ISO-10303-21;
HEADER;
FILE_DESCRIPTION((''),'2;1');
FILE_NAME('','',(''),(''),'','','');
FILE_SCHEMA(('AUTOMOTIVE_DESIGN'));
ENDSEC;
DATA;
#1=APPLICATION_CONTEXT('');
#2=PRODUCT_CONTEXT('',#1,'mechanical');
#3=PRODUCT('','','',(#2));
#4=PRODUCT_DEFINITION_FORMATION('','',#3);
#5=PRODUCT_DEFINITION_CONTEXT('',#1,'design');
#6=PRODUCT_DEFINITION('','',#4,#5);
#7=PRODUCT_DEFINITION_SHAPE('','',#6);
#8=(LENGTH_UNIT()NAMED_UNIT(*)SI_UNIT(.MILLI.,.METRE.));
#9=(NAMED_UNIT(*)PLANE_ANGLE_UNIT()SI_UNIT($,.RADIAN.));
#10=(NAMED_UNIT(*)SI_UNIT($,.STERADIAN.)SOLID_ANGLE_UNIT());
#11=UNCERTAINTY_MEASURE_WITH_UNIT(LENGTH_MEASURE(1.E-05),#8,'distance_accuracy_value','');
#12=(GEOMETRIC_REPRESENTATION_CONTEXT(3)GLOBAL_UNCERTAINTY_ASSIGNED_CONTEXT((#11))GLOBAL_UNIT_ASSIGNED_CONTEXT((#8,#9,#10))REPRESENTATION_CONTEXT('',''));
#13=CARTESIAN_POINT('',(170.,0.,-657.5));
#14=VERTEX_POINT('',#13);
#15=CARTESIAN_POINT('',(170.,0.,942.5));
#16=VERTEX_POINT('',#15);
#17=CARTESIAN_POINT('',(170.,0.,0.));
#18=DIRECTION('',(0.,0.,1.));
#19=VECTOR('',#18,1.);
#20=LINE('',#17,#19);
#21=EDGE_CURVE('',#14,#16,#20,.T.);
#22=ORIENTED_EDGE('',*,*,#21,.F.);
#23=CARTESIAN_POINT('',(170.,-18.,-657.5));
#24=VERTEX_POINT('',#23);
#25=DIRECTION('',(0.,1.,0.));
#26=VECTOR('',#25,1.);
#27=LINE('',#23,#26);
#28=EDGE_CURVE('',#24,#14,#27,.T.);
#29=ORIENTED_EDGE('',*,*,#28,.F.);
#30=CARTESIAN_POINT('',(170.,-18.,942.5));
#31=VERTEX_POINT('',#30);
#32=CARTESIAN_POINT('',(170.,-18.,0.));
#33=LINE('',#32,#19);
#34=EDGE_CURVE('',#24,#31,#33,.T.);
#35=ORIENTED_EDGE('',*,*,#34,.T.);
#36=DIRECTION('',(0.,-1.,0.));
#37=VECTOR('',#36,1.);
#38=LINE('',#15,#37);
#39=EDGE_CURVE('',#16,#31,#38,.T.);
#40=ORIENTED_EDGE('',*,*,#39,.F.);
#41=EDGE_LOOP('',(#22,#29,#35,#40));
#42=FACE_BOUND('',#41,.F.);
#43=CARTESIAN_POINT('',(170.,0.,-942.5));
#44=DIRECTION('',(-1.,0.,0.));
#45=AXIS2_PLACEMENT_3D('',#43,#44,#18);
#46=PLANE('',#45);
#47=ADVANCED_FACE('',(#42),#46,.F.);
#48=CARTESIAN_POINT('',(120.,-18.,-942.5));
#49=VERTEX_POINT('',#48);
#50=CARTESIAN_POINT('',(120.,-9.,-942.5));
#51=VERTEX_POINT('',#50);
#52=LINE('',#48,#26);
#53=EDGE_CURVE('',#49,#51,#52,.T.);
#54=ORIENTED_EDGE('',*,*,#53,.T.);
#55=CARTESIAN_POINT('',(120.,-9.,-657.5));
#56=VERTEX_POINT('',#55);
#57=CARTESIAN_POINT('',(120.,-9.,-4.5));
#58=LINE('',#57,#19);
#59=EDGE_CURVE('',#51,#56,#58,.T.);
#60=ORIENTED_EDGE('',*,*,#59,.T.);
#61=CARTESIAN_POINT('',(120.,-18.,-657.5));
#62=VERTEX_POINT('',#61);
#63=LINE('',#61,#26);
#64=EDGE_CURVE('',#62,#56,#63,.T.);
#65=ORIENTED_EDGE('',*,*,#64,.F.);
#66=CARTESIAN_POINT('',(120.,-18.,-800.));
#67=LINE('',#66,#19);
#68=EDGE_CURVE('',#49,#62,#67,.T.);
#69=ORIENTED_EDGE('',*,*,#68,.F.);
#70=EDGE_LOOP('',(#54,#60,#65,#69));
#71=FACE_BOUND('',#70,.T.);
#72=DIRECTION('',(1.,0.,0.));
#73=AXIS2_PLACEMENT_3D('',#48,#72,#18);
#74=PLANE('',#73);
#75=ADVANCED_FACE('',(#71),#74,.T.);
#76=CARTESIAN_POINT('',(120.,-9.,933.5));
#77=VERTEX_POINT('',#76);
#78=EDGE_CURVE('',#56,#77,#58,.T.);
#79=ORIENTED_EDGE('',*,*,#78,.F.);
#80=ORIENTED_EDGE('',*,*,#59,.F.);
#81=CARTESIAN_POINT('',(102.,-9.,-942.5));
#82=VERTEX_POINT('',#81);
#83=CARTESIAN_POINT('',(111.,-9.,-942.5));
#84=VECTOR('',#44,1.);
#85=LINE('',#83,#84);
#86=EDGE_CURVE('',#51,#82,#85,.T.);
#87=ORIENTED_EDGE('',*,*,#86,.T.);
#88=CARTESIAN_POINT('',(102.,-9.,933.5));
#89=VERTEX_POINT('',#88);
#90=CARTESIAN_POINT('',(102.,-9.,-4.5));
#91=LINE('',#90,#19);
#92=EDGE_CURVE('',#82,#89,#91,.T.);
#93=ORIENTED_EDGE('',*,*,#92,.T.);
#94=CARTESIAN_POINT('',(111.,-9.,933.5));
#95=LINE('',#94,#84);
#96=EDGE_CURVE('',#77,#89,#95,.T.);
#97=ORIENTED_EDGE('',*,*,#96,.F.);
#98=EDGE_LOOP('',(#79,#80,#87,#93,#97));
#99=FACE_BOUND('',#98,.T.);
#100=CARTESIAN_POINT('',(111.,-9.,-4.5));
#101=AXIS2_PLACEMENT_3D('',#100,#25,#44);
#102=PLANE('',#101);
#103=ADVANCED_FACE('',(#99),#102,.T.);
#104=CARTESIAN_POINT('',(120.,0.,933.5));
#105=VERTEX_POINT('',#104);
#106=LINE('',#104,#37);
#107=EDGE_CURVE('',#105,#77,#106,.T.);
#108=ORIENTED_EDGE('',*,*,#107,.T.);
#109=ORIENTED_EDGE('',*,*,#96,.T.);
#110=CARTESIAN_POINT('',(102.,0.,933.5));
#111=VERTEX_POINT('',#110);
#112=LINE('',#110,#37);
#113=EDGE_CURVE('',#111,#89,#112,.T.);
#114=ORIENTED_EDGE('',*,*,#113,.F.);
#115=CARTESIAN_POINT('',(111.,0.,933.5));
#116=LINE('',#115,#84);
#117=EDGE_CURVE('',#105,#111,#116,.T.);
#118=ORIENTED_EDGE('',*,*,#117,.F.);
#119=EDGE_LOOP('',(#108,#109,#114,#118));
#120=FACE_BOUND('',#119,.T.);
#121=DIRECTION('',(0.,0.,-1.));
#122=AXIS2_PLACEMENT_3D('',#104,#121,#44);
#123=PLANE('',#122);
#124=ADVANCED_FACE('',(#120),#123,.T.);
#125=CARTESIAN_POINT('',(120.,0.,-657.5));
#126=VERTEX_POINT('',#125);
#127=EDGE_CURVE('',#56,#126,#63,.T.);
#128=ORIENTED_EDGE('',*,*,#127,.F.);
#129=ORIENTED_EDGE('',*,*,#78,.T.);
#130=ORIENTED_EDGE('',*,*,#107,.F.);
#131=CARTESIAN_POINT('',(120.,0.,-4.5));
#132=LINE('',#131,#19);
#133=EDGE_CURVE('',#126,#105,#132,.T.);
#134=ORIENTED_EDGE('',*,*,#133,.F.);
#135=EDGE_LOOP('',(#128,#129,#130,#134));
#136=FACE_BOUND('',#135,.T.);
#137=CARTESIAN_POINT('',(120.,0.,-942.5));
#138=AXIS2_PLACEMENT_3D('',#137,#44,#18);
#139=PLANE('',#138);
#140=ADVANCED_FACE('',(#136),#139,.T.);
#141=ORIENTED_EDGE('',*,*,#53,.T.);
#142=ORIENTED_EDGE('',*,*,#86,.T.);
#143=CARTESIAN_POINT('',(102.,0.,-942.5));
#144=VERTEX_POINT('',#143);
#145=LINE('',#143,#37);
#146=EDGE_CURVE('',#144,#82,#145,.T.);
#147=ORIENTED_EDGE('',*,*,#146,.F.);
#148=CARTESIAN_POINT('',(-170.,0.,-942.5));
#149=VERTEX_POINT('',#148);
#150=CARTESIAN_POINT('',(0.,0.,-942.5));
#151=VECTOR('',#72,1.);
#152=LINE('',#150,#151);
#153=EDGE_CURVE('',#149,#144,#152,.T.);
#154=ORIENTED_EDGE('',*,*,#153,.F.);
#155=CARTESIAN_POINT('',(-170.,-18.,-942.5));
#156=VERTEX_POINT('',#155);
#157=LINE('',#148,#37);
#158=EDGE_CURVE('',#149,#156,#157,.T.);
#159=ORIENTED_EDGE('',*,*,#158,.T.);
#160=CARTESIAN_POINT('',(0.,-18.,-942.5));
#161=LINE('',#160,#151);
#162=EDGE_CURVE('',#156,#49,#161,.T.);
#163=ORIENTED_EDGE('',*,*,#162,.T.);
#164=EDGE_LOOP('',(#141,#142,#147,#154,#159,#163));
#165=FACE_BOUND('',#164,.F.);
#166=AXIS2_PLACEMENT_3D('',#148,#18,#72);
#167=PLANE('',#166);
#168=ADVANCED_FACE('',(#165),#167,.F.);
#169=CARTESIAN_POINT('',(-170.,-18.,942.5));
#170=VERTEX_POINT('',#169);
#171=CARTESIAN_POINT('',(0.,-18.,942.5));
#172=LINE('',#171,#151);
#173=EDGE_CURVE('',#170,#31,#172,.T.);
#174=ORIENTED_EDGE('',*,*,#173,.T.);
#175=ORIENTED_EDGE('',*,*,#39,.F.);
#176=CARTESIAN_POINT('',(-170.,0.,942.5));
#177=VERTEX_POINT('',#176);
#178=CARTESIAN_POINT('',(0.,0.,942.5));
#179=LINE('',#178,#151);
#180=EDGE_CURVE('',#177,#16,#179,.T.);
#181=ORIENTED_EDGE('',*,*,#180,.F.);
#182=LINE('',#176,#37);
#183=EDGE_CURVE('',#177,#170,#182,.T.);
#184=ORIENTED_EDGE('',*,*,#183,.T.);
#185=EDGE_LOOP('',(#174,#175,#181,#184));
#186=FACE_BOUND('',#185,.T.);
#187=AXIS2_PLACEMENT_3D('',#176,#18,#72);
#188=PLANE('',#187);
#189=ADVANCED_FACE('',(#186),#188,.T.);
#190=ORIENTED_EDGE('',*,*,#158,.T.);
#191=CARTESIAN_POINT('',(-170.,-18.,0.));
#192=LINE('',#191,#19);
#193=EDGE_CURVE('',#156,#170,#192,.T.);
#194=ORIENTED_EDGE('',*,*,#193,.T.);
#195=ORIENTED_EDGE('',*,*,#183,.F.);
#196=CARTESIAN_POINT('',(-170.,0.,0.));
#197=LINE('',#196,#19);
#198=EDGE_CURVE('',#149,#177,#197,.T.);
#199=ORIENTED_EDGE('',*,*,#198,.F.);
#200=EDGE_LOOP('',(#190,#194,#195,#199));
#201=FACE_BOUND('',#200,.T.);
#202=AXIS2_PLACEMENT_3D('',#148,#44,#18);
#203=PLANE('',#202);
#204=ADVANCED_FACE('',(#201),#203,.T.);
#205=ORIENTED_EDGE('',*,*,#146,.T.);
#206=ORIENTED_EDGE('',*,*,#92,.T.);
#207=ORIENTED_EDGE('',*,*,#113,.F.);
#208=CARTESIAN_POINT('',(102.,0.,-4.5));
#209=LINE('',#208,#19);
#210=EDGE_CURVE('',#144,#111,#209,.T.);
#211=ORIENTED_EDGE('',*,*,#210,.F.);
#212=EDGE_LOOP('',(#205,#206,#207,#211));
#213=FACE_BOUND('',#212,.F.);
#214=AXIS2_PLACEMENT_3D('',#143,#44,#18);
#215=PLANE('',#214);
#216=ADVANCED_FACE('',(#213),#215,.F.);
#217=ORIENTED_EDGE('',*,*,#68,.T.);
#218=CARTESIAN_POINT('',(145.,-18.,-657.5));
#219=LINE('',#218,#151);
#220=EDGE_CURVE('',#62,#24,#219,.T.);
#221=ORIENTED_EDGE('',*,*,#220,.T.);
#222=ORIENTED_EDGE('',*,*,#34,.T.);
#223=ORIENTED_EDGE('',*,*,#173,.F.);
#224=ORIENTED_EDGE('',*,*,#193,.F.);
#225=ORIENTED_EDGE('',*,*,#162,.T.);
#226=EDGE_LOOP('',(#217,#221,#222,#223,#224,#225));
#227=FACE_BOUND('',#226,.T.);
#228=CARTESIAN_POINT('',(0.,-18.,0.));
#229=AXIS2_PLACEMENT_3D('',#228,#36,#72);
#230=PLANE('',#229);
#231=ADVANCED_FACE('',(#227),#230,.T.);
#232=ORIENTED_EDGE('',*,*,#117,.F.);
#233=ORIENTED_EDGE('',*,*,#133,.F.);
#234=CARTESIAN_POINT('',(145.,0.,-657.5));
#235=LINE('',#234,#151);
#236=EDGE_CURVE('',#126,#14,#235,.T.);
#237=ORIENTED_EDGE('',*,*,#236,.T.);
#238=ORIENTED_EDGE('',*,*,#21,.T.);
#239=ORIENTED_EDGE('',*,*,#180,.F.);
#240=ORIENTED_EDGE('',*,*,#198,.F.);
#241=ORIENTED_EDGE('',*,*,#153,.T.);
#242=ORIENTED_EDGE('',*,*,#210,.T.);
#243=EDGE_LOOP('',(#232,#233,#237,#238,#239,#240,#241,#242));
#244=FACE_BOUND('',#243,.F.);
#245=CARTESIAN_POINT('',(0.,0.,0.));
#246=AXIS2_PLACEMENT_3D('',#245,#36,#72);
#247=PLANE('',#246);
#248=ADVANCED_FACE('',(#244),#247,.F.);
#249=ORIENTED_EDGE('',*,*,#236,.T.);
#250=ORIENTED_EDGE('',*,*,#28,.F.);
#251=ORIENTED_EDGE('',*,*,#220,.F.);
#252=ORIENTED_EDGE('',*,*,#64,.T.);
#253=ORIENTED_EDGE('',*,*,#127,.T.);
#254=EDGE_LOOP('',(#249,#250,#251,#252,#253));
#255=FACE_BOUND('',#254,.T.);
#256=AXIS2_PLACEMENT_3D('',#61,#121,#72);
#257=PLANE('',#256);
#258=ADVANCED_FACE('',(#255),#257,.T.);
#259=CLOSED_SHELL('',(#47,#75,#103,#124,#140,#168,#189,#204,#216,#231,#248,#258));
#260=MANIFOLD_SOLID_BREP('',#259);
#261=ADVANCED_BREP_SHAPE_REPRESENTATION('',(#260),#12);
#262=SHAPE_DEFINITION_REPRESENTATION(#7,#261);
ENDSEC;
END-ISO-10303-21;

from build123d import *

# Parameters (mm, degrees)
F0_W     = 340
F0_H     = 1885
F1_DEPTH = 18
F2_W     = 50
F2_H     = 285
F3_DEPTH = 18
F4_W     = 18
F4_H     = 1876
F5_DEPTH = 9


with BuildPart() as f1:
    # F0 (on Front) → F1 (new body)
    with BuildSketch(Plane.XZ):
        Rectangle(F0_W, F0_H)
    extrude(amount=F1_DEPTH)

    # F2 (on face) → F3 (cut)
    with BuildSketch(Plane.XZ.offset(18)):
        with Locations((145, -800)):
            Rectangle(F2_W, F2_H)
    extrude(amount=-F3_DEPTH, mode=Mode.SUBTRACT)

    # F4 (on face) → F5 (cut)
    with BuildSketch(Plane(origin=(0, 0, 0), x_dir=(-1, 0, 0), z_dir=(0, 1, 0))):
        with Locations((-111, -4.5)):
            Rectangle(F4_W, F4_H)
    extrude(amount=-F5_DEPTH, mode=Mode.SUBTRACT)


solid = f1.part
